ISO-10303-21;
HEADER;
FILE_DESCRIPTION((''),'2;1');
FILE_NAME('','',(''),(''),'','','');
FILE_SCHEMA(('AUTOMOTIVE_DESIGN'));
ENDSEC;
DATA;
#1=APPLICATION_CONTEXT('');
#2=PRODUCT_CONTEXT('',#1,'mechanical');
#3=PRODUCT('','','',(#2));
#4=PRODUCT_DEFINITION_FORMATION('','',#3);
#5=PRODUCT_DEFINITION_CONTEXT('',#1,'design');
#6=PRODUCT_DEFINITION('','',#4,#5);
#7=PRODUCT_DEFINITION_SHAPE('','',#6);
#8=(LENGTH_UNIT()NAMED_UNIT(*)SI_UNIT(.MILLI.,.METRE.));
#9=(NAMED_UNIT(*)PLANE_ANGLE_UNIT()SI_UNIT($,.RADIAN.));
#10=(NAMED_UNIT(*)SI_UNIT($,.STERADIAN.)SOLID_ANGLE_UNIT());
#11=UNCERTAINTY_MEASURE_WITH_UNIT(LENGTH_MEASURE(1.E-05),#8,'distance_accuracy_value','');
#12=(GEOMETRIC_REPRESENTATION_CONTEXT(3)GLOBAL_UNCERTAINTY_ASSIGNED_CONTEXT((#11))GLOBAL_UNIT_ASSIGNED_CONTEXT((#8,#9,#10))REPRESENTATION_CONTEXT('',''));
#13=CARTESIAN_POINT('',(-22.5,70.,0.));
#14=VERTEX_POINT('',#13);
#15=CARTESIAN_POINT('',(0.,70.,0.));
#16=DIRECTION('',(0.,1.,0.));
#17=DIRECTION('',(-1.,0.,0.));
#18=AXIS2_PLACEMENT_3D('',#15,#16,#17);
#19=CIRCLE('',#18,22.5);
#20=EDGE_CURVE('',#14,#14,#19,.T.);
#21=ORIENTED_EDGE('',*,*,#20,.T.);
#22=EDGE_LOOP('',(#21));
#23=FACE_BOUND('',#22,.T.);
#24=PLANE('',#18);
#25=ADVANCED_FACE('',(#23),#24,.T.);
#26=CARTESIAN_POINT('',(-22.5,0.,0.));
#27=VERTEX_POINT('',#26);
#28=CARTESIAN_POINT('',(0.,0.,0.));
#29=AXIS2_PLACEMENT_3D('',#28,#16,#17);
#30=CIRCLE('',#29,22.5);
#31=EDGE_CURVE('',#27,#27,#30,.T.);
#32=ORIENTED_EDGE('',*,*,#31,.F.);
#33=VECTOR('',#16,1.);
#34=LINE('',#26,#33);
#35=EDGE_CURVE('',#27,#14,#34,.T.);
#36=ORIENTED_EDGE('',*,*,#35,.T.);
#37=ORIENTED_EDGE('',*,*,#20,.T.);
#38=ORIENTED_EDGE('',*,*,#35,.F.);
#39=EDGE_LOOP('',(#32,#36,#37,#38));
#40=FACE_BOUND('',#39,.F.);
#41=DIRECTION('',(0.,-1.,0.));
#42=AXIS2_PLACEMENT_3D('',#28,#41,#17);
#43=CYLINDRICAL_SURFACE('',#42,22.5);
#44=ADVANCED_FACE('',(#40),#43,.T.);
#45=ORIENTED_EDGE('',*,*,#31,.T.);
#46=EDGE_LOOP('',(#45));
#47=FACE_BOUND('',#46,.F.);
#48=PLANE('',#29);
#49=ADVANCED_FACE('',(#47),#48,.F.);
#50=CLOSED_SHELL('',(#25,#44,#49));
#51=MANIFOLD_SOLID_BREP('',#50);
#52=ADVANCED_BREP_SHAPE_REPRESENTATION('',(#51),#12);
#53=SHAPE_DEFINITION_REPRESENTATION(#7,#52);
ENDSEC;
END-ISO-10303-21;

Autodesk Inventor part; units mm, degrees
ref_plane "YZ Plane" through (0, 0, 0) normal (1, 0, 0) x (0, 1, 0)
ref_plane "XZ Plane" through (0, 0, 0) normal (0, 1, 0) x (-1, 0, 0)
ref_plane "XY Plane" through (0, 0, 0) normal (0, 0, 1) x (1, 0, 0)
sketch "Sketch1" plane through (0, 0, 0) normal (0, 1, 0) x (-1, 0, 0)
  circle A0 centre (0, 0) radius 22.5
  dimension "d0" = 45
extrude "Extrusion1" add sketch "Sketch1" along normal blind 70
properties part number "part_test"
